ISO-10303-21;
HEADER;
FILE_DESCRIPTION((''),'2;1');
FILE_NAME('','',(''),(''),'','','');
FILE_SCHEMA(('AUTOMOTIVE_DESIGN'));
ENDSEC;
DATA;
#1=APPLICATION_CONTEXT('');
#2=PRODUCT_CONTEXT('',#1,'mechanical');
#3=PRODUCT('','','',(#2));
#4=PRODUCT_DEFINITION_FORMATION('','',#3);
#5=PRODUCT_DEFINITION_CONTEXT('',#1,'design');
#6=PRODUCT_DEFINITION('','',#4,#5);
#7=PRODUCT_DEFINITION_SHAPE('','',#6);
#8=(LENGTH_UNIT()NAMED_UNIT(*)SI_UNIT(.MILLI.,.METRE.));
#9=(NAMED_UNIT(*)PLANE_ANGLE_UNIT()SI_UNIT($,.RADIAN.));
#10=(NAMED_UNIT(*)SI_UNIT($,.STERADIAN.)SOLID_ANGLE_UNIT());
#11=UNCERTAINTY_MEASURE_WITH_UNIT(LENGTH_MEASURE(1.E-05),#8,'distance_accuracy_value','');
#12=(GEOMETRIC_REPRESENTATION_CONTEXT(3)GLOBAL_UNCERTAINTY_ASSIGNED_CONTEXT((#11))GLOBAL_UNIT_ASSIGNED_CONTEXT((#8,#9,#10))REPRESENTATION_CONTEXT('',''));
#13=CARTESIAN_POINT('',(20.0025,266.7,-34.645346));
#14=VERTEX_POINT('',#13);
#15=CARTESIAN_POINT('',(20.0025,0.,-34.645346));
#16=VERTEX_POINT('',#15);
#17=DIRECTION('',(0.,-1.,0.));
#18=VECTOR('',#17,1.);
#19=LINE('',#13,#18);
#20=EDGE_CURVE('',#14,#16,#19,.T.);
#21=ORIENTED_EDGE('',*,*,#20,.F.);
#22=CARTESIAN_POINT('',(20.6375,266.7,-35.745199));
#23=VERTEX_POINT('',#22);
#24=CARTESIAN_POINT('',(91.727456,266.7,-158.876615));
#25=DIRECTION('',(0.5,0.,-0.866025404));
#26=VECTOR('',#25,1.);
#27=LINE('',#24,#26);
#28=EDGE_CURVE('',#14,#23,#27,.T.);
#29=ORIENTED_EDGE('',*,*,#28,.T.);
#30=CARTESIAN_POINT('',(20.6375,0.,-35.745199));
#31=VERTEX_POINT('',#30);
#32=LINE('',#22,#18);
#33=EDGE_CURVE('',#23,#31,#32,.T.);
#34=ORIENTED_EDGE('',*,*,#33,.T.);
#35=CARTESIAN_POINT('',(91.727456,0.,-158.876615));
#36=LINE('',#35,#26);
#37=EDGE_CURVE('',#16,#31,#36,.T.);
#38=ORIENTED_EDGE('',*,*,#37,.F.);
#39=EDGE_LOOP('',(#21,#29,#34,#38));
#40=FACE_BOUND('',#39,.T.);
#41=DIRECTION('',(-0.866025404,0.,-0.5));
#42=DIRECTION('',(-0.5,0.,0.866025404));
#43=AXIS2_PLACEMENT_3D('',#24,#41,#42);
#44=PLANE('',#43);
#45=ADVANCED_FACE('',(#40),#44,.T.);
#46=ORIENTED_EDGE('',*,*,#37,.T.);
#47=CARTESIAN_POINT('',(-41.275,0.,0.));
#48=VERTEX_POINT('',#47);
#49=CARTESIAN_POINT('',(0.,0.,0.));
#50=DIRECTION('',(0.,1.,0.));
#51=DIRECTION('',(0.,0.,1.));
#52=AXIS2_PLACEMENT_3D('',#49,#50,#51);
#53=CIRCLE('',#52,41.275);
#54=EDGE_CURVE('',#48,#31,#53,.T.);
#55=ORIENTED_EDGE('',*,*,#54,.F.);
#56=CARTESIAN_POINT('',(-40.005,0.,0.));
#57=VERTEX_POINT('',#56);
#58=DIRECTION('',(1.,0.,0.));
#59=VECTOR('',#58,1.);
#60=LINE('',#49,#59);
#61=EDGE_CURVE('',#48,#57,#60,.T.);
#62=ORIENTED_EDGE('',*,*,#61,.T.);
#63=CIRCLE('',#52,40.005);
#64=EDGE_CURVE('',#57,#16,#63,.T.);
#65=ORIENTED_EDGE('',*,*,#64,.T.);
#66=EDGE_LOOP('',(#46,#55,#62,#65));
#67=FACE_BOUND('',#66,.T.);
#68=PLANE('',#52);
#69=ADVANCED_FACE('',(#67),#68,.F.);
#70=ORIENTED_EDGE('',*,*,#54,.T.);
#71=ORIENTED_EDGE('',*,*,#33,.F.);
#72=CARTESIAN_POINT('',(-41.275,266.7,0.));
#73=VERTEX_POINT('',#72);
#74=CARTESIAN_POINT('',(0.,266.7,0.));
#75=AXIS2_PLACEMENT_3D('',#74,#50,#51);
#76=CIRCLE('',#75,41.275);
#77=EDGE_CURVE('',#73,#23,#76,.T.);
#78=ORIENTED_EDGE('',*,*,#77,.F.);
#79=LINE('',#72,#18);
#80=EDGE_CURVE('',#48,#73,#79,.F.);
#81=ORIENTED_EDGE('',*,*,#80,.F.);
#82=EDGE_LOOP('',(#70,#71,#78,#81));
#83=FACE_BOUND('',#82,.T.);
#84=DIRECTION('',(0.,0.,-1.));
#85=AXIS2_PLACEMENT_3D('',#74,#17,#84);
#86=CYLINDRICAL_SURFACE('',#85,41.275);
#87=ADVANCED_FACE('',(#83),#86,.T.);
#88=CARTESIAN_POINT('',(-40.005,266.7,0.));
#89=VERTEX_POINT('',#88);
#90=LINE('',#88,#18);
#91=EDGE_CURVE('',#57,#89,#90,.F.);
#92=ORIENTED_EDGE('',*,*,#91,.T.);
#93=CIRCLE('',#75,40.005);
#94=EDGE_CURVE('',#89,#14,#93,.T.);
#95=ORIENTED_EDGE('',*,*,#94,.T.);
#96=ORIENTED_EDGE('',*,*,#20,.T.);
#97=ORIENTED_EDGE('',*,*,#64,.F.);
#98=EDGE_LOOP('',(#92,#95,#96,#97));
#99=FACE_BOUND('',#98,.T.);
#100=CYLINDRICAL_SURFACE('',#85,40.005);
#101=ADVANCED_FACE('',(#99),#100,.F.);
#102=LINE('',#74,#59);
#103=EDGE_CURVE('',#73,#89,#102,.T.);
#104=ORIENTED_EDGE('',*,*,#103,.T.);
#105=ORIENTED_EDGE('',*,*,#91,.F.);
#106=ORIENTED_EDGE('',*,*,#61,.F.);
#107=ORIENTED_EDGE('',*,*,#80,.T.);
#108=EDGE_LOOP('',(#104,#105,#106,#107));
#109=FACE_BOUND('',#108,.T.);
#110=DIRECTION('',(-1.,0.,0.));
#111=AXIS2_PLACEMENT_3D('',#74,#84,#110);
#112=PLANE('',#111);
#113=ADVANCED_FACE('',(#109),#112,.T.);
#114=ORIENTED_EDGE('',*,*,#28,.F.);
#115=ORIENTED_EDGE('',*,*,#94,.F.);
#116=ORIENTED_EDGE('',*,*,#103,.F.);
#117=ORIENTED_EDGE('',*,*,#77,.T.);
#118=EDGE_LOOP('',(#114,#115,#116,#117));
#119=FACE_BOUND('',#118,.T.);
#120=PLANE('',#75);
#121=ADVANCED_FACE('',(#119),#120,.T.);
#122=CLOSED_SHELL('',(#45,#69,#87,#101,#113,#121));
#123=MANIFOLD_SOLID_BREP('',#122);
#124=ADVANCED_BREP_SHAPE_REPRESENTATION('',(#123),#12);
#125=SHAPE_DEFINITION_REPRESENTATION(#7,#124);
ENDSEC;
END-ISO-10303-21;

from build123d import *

# Parameters (mm, degrees)
SKETCH1_R           = 41.275
SKETCH1_R_2         = 40.005
BOSS_EXTRUDE1_DEPTH = 266.7
CUT_EXTRUDE3_DEPTH  = 267.7


with BuildPart() as part:
    # Sketch1 → Boss-Extrude1 (new body)
    with BuildSketch(Plane(origin=(0, 0, 0), x_dir=(1, 0, 0), z_dir=(0, 1, 0))):
        Circle(SKETCH1_R)
        Circle(SKETCH1_R_2, mode=Mode.SUBTRACT)
    extrude(amount=BOSS_EXTRUDE1_DEPTH)

    # Sketch3 → Cut-Extrude3 (cut, through all)
    with BuildSketch(Plane(origin=(0, 0, 0), x_dir=(1, 0, 0), z_dir=(0, 1, 0))):
        Polygon((0, 0), (-129.052842667, 0), (91.727456227, 158.876614634), align=None)
    extrude(amount=CUT_EXTRUDE3_DEPTH, mode=Mode.SUBTRACT)


solid = part.part
